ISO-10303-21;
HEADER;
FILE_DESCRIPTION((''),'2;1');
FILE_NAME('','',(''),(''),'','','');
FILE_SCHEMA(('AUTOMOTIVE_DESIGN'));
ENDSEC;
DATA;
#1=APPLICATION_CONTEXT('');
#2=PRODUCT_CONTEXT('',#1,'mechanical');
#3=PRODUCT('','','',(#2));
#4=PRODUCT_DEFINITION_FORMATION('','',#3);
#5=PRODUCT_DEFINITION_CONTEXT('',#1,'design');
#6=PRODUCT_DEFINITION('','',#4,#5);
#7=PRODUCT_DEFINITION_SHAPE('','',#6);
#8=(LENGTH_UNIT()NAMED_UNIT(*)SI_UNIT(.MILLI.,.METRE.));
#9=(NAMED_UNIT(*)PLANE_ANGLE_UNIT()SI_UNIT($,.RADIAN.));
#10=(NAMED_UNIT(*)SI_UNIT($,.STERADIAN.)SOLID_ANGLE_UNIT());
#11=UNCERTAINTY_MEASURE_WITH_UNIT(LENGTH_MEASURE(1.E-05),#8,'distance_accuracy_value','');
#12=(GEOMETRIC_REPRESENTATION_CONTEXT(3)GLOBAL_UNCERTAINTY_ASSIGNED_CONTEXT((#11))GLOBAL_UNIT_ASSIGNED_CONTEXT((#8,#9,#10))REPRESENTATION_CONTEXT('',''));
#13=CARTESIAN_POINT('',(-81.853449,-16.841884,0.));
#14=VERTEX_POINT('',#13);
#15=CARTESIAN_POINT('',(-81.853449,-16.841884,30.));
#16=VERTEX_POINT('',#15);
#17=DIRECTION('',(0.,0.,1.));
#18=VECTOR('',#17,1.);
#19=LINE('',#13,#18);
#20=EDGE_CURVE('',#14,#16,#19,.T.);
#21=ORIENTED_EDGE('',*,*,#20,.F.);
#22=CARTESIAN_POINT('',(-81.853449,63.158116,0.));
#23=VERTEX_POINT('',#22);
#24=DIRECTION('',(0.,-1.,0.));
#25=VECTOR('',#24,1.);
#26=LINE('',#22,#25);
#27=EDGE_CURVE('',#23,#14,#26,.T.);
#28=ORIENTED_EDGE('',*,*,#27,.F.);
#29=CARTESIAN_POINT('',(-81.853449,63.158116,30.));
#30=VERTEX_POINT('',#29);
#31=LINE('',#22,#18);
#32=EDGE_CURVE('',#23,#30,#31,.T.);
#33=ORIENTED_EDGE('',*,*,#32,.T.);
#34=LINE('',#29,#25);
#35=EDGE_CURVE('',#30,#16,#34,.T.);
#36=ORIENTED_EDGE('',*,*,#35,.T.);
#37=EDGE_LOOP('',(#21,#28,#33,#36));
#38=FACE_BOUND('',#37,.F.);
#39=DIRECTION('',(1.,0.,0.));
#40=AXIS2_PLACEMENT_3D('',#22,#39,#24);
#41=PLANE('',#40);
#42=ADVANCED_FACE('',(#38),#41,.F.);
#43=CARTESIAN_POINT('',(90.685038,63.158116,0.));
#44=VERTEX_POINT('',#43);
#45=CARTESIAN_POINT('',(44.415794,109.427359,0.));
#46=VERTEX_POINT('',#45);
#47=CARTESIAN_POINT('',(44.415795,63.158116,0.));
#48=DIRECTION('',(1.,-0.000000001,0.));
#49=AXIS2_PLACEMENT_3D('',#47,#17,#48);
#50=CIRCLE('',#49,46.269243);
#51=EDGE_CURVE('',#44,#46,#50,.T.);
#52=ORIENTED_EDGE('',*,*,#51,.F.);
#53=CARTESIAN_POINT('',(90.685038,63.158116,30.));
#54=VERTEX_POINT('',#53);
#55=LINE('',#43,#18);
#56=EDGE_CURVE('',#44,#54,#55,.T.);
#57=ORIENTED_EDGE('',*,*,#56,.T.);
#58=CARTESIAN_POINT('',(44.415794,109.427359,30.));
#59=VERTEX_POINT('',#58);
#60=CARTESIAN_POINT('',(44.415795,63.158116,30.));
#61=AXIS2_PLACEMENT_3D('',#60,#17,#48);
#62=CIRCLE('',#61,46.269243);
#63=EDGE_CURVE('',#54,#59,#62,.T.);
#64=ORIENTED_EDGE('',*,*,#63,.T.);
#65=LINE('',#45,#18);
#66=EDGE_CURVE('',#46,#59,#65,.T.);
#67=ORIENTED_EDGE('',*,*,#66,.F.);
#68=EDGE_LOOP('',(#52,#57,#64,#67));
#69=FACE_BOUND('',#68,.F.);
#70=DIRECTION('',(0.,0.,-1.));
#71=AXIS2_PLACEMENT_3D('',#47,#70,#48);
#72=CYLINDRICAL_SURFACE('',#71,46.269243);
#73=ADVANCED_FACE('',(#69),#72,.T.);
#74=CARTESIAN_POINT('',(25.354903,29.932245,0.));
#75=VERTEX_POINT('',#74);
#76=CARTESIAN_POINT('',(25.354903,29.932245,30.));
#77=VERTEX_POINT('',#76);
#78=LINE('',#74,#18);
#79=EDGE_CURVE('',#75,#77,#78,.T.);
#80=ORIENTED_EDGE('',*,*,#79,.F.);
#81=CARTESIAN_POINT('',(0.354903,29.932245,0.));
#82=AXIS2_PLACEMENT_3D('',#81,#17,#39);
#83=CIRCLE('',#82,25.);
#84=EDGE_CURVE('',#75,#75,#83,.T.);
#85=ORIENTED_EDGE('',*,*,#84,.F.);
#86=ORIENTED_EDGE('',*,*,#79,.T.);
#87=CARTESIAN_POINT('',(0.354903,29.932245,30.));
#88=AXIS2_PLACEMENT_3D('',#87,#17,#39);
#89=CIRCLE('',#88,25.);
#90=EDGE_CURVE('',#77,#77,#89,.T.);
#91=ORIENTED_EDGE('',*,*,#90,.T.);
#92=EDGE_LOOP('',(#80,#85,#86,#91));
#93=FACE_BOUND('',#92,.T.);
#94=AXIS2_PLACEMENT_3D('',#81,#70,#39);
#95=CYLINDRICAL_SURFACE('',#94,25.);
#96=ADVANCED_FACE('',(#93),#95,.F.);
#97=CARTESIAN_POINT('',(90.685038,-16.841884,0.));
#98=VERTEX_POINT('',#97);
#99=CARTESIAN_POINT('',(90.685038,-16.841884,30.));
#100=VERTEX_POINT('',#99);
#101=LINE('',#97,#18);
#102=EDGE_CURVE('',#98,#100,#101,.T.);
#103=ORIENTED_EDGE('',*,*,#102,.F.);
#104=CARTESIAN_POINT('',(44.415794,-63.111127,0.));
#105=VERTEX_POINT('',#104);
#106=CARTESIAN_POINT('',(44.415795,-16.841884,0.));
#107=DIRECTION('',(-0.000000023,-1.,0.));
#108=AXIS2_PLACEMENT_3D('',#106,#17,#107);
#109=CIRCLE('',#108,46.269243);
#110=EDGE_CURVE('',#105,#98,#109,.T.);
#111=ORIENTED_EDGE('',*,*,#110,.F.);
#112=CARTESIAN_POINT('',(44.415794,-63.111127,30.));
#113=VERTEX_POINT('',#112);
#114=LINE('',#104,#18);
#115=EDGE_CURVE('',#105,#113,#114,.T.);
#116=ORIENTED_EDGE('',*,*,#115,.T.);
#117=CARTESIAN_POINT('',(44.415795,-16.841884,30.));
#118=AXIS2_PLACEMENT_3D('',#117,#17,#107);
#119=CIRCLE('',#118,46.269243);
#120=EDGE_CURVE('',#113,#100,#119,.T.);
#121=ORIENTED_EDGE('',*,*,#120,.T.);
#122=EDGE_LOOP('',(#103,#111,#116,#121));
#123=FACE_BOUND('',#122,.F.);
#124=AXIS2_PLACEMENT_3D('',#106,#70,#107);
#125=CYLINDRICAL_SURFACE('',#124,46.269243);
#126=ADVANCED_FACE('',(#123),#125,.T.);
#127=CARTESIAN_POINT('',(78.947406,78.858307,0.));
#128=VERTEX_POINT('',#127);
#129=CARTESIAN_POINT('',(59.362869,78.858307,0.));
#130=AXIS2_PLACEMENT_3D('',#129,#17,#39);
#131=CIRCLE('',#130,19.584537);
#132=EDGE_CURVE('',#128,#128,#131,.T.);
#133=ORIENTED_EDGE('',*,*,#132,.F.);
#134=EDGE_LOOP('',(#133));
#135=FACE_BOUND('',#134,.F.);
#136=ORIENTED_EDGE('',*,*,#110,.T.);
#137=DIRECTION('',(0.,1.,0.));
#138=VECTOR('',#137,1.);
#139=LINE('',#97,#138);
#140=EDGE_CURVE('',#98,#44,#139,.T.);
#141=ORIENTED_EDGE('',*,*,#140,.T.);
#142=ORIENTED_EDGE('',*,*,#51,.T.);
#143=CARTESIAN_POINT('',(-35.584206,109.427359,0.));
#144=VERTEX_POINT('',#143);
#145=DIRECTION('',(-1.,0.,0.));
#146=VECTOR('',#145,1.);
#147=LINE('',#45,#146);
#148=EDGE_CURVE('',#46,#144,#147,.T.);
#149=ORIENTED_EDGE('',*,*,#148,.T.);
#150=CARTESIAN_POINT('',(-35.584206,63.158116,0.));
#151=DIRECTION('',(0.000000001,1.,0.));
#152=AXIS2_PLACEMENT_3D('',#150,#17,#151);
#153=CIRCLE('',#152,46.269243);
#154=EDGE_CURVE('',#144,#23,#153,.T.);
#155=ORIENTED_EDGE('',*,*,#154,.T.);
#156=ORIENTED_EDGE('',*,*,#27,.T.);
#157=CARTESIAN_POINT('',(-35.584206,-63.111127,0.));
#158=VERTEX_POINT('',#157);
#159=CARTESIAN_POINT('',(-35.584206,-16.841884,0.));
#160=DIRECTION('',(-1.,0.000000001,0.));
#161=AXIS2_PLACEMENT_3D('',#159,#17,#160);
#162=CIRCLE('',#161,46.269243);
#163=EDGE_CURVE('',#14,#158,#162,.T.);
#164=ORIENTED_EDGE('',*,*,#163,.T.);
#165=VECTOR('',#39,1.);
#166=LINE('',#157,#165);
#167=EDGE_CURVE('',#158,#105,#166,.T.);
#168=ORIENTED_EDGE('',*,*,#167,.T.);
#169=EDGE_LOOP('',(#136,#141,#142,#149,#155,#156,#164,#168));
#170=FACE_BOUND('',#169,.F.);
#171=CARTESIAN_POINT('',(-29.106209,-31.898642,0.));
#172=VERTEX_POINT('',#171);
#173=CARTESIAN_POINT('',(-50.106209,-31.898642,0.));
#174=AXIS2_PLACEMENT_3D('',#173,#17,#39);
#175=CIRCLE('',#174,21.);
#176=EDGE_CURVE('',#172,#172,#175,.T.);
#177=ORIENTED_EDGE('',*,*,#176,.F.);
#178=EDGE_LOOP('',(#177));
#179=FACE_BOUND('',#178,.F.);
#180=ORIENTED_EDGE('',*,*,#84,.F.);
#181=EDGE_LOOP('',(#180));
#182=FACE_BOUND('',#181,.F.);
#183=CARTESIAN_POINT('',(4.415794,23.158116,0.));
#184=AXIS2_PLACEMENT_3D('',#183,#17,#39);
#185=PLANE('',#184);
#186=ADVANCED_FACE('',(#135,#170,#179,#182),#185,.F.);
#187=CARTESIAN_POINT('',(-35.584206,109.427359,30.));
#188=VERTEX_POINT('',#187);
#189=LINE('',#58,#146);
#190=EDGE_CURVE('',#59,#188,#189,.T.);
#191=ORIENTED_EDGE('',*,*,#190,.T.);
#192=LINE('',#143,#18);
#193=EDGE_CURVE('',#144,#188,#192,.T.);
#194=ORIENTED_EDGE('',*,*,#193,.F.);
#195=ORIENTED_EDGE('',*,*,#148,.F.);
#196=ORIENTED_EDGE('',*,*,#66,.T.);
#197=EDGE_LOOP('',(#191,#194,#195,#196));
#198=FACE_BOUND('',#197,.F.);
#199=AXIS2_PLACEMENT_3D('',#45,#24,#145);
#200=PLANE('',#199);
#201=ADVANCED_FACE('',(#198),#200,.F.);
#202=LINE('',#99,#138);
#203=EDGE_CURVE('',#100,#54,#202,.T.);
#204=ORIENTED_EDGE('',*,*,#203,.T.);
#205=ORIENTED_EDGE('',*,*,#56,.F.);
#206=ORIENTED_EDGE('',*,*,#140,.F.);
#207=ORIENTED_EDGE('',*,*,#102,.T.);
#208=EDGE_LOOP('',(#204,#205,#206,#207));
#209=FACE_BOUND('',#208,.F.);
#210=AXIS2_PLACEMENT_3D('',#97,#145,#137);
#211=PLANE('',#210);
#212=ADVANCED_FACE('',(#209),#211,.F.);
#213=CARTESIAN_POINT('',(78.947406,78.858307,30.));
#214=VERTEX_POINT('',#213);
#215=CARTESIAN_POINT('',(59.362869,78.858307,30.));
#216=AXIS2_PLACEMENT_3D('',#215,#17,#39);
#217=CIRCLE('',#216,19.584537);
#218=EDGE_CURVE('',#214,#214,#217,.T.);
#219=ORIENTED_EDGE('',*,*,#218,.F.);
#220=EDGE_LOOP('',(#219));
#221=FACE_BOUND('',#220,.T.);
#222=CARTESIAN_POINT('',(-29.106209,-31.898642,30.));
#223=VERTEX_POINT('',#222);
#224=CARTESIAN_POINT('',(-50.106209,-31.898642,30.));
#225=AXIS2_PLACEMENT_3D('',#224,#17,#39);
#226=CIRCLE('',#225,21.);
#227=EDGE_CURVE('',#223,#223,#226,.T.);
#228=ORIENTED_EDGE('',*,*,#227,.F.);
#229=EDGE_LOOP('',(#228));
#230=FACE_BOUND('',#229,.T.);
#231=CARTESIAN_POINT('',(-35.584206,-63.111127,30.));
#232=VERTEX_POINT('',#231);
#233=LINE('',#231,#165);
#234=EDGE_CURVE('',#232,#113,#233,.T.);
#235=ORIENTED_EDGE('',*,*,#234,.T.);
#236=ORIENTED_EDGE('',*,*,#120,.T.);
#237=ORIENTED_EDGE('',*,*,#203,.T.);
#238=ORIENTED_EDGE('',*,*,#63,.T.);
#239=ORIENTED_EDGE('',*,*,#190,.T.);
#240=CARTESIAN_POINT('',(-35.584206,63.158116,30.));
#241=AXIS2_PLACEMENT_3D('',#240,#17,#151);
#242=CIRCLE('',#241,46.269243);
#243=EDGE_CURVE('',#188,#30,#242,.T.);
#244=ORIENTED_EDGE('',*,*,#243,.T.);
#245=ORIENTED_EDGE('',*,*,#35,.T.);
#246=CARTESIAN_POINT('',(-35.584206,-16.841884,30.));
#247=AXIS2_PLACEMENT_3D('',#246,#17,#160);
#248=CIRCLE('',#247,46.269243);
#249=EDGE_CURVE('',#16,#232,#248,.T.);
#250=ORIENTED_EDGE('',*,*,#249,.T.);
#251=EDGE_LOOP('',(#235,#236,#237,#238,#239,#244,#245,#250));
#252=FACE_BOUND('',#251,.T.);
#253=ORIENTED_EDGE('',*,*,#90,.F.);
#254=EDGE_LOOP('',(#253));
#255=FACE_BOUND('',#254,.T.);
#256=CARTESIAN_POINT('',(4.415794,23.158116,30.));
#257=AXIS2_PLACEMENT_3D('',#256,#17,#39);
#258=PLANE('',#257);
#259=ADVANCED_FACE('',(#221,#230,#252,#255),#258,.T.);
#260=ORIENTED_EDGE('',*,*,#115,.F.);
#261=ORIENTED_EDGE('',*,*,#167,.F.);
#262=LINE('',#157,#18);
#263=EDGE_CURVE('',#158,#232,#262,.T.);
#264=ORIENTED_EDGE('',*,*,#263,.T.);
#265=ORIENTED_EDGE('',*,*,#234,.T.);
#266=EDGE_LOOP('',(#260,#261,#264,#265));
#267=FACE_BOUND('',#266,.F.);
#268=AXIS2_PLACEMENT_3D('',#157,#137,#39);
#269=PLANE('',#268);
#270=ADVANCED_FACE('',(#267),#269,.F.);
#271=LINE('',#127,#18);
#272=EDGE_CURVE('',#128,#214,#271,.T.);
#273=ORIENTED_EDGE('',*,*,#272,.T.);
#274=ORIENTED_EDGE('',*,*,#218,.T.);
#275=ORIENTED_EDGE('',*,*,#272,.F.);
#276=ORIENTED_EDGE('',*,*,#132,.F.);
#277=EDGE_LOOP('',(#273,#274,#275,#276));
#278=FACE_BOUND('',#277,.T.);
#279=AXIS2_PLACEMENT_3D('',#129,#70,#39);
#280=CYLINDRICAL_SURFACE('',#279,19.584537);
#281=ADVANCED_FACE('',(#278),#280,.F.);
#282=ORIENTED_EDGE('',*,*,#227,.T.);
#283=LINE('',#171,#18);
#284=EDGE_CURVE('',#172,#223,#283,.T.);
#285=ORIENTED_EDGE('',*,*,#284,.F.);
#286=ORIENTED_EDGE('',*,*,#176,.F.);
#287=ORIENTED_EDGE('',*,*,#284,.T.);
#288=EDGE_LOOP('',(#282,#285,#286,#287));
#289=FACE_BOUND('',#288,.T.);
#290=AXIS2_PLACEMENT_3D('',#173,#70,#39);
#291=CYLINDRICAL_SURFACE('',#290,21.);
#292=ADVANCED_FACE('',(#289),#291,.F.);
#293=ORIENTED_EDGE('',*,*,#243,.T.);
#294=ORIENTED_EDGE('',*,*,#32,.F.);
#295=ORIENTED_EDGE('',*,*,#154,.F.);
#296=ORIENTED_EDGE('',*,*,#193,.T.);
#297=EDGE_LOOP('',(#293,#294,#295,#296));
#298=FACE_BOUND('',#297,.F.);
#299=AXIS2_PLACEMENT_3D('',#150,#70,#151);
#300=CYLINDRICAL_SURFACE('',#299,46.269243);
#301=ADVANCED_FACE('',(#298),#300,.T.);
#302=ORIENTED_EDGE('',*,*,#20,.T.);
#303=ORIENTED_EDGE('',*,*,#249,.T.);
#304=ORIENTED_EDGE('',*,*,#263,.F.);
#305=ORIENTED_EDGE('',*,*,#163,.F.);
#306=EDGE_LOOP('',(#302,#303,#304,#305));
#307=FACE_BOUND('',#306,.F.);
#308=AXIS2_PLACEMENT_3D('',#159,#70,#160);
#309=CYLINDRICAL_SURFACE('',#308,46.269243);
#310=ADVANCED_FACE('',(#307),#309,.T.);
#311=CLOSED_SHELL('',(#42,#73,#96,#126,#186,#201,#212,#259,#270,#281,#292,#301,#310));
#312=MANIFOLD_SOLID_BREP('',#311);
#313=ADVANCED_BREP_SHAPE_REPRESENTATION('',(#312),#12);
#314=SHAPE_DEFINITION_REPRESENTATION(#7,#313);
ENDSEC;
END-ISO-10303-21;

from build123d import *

# Parameters (mm, degrees)
SKETCH_R     = 25
SKETCH_R_2   = 21
SKETCH_R_3   = 19.584537
PAD_DEPTH    = 30
PAD001_DEPTH = 30


with BuildPart() as part:
    # Sketch → Pad (new body)
    with BuildSketch(Plane.XY):
        with BuildLine():
            Line((-35.584206, -63.111127), (44.415794, -63.111127))
            ThreePointArc((44.415794, -63.111127), (77.13309, -49.55918), (90.685038, -16.841884))
            Line((90.685038, -16.841884), (90.685038, 63.158116))
            ThreePointArc((90.685038, 63.158116), (77.13309, 95.875412), (44.415794, 109.427359))
            Line((44.415794, 109.427359), (-35.584206, 109.427359))
            ThreePointArc((-35.584206, 109.427359), (-68.301501, 95.875412), (-81.853449, 63.158116))
            Line((-81.853449, 63.158116), (-81.853449, -16.841884))
            ThreePointArc((-81.853449, -16.841884), (-68.301501, -49.55918), (-35.584206, -63.111127))
        make_face()
        with Locations((0.354903, 29.932245)):
            Circle(SKETCH_R, mode=Mode.SUBTRACT)
        with Locations((-50.106209, -31.898642)):
            Circle(SKETCH_R_2, mode=Mode.SUBTRACT)
        with Locations((59.362869, 78.858307)):
            Circle(SKETCH_R_3, mode=Mode.SUBTRACT)
    extrude(amount=PAD_DEPTH)

    # Sketch → Pad001 (join)
    with BuildSketch(Plane.XY):
        with BuildLine():
            Line((-35.584206, -63.111127), (44.415794, -63.111127))
            ThreePointArc((44.415794, -63.111127), (77.13309, -49.55918), (90.685038, -16.841884))
            Line((90.685038, -16.841884), (90.685038, 63.158116))
            ThreePointArc((90.685038, 63.158116), (77.13309, 95.875412), (44.415794, 109.427359))
            Line((44.415794, 109.427359), (-35.584206, 109.427359))
            ThreePointArc((-35.584206, 109.427359), (-68.301501, 95.875412), (-81.853449, 63.158116))
            Line((-81.853449, 63.158116), (-81.853449, -16.841884))
            ThreePointArc((-81.853449, -16.841884), (-68.301501, -49.55918), (-35.584206, -63.111127))
        make_face()
        with Locations((0.354903, 29.932245)):
            Circle(SKETCH_R, mode=Mode.SUBTRACT)
        with Locations((-50.106209, -31.898642)):
            Circle(SKETCH_R_2, mode=Mode.SUBTRACT)
        with Locations((59.362869, 78.858307)):
            Circle(SKETCH_R_3, mode=Mode.SUBTRACT)
    extrude(amount=PAD001_DEPTH)


solid = part.part
